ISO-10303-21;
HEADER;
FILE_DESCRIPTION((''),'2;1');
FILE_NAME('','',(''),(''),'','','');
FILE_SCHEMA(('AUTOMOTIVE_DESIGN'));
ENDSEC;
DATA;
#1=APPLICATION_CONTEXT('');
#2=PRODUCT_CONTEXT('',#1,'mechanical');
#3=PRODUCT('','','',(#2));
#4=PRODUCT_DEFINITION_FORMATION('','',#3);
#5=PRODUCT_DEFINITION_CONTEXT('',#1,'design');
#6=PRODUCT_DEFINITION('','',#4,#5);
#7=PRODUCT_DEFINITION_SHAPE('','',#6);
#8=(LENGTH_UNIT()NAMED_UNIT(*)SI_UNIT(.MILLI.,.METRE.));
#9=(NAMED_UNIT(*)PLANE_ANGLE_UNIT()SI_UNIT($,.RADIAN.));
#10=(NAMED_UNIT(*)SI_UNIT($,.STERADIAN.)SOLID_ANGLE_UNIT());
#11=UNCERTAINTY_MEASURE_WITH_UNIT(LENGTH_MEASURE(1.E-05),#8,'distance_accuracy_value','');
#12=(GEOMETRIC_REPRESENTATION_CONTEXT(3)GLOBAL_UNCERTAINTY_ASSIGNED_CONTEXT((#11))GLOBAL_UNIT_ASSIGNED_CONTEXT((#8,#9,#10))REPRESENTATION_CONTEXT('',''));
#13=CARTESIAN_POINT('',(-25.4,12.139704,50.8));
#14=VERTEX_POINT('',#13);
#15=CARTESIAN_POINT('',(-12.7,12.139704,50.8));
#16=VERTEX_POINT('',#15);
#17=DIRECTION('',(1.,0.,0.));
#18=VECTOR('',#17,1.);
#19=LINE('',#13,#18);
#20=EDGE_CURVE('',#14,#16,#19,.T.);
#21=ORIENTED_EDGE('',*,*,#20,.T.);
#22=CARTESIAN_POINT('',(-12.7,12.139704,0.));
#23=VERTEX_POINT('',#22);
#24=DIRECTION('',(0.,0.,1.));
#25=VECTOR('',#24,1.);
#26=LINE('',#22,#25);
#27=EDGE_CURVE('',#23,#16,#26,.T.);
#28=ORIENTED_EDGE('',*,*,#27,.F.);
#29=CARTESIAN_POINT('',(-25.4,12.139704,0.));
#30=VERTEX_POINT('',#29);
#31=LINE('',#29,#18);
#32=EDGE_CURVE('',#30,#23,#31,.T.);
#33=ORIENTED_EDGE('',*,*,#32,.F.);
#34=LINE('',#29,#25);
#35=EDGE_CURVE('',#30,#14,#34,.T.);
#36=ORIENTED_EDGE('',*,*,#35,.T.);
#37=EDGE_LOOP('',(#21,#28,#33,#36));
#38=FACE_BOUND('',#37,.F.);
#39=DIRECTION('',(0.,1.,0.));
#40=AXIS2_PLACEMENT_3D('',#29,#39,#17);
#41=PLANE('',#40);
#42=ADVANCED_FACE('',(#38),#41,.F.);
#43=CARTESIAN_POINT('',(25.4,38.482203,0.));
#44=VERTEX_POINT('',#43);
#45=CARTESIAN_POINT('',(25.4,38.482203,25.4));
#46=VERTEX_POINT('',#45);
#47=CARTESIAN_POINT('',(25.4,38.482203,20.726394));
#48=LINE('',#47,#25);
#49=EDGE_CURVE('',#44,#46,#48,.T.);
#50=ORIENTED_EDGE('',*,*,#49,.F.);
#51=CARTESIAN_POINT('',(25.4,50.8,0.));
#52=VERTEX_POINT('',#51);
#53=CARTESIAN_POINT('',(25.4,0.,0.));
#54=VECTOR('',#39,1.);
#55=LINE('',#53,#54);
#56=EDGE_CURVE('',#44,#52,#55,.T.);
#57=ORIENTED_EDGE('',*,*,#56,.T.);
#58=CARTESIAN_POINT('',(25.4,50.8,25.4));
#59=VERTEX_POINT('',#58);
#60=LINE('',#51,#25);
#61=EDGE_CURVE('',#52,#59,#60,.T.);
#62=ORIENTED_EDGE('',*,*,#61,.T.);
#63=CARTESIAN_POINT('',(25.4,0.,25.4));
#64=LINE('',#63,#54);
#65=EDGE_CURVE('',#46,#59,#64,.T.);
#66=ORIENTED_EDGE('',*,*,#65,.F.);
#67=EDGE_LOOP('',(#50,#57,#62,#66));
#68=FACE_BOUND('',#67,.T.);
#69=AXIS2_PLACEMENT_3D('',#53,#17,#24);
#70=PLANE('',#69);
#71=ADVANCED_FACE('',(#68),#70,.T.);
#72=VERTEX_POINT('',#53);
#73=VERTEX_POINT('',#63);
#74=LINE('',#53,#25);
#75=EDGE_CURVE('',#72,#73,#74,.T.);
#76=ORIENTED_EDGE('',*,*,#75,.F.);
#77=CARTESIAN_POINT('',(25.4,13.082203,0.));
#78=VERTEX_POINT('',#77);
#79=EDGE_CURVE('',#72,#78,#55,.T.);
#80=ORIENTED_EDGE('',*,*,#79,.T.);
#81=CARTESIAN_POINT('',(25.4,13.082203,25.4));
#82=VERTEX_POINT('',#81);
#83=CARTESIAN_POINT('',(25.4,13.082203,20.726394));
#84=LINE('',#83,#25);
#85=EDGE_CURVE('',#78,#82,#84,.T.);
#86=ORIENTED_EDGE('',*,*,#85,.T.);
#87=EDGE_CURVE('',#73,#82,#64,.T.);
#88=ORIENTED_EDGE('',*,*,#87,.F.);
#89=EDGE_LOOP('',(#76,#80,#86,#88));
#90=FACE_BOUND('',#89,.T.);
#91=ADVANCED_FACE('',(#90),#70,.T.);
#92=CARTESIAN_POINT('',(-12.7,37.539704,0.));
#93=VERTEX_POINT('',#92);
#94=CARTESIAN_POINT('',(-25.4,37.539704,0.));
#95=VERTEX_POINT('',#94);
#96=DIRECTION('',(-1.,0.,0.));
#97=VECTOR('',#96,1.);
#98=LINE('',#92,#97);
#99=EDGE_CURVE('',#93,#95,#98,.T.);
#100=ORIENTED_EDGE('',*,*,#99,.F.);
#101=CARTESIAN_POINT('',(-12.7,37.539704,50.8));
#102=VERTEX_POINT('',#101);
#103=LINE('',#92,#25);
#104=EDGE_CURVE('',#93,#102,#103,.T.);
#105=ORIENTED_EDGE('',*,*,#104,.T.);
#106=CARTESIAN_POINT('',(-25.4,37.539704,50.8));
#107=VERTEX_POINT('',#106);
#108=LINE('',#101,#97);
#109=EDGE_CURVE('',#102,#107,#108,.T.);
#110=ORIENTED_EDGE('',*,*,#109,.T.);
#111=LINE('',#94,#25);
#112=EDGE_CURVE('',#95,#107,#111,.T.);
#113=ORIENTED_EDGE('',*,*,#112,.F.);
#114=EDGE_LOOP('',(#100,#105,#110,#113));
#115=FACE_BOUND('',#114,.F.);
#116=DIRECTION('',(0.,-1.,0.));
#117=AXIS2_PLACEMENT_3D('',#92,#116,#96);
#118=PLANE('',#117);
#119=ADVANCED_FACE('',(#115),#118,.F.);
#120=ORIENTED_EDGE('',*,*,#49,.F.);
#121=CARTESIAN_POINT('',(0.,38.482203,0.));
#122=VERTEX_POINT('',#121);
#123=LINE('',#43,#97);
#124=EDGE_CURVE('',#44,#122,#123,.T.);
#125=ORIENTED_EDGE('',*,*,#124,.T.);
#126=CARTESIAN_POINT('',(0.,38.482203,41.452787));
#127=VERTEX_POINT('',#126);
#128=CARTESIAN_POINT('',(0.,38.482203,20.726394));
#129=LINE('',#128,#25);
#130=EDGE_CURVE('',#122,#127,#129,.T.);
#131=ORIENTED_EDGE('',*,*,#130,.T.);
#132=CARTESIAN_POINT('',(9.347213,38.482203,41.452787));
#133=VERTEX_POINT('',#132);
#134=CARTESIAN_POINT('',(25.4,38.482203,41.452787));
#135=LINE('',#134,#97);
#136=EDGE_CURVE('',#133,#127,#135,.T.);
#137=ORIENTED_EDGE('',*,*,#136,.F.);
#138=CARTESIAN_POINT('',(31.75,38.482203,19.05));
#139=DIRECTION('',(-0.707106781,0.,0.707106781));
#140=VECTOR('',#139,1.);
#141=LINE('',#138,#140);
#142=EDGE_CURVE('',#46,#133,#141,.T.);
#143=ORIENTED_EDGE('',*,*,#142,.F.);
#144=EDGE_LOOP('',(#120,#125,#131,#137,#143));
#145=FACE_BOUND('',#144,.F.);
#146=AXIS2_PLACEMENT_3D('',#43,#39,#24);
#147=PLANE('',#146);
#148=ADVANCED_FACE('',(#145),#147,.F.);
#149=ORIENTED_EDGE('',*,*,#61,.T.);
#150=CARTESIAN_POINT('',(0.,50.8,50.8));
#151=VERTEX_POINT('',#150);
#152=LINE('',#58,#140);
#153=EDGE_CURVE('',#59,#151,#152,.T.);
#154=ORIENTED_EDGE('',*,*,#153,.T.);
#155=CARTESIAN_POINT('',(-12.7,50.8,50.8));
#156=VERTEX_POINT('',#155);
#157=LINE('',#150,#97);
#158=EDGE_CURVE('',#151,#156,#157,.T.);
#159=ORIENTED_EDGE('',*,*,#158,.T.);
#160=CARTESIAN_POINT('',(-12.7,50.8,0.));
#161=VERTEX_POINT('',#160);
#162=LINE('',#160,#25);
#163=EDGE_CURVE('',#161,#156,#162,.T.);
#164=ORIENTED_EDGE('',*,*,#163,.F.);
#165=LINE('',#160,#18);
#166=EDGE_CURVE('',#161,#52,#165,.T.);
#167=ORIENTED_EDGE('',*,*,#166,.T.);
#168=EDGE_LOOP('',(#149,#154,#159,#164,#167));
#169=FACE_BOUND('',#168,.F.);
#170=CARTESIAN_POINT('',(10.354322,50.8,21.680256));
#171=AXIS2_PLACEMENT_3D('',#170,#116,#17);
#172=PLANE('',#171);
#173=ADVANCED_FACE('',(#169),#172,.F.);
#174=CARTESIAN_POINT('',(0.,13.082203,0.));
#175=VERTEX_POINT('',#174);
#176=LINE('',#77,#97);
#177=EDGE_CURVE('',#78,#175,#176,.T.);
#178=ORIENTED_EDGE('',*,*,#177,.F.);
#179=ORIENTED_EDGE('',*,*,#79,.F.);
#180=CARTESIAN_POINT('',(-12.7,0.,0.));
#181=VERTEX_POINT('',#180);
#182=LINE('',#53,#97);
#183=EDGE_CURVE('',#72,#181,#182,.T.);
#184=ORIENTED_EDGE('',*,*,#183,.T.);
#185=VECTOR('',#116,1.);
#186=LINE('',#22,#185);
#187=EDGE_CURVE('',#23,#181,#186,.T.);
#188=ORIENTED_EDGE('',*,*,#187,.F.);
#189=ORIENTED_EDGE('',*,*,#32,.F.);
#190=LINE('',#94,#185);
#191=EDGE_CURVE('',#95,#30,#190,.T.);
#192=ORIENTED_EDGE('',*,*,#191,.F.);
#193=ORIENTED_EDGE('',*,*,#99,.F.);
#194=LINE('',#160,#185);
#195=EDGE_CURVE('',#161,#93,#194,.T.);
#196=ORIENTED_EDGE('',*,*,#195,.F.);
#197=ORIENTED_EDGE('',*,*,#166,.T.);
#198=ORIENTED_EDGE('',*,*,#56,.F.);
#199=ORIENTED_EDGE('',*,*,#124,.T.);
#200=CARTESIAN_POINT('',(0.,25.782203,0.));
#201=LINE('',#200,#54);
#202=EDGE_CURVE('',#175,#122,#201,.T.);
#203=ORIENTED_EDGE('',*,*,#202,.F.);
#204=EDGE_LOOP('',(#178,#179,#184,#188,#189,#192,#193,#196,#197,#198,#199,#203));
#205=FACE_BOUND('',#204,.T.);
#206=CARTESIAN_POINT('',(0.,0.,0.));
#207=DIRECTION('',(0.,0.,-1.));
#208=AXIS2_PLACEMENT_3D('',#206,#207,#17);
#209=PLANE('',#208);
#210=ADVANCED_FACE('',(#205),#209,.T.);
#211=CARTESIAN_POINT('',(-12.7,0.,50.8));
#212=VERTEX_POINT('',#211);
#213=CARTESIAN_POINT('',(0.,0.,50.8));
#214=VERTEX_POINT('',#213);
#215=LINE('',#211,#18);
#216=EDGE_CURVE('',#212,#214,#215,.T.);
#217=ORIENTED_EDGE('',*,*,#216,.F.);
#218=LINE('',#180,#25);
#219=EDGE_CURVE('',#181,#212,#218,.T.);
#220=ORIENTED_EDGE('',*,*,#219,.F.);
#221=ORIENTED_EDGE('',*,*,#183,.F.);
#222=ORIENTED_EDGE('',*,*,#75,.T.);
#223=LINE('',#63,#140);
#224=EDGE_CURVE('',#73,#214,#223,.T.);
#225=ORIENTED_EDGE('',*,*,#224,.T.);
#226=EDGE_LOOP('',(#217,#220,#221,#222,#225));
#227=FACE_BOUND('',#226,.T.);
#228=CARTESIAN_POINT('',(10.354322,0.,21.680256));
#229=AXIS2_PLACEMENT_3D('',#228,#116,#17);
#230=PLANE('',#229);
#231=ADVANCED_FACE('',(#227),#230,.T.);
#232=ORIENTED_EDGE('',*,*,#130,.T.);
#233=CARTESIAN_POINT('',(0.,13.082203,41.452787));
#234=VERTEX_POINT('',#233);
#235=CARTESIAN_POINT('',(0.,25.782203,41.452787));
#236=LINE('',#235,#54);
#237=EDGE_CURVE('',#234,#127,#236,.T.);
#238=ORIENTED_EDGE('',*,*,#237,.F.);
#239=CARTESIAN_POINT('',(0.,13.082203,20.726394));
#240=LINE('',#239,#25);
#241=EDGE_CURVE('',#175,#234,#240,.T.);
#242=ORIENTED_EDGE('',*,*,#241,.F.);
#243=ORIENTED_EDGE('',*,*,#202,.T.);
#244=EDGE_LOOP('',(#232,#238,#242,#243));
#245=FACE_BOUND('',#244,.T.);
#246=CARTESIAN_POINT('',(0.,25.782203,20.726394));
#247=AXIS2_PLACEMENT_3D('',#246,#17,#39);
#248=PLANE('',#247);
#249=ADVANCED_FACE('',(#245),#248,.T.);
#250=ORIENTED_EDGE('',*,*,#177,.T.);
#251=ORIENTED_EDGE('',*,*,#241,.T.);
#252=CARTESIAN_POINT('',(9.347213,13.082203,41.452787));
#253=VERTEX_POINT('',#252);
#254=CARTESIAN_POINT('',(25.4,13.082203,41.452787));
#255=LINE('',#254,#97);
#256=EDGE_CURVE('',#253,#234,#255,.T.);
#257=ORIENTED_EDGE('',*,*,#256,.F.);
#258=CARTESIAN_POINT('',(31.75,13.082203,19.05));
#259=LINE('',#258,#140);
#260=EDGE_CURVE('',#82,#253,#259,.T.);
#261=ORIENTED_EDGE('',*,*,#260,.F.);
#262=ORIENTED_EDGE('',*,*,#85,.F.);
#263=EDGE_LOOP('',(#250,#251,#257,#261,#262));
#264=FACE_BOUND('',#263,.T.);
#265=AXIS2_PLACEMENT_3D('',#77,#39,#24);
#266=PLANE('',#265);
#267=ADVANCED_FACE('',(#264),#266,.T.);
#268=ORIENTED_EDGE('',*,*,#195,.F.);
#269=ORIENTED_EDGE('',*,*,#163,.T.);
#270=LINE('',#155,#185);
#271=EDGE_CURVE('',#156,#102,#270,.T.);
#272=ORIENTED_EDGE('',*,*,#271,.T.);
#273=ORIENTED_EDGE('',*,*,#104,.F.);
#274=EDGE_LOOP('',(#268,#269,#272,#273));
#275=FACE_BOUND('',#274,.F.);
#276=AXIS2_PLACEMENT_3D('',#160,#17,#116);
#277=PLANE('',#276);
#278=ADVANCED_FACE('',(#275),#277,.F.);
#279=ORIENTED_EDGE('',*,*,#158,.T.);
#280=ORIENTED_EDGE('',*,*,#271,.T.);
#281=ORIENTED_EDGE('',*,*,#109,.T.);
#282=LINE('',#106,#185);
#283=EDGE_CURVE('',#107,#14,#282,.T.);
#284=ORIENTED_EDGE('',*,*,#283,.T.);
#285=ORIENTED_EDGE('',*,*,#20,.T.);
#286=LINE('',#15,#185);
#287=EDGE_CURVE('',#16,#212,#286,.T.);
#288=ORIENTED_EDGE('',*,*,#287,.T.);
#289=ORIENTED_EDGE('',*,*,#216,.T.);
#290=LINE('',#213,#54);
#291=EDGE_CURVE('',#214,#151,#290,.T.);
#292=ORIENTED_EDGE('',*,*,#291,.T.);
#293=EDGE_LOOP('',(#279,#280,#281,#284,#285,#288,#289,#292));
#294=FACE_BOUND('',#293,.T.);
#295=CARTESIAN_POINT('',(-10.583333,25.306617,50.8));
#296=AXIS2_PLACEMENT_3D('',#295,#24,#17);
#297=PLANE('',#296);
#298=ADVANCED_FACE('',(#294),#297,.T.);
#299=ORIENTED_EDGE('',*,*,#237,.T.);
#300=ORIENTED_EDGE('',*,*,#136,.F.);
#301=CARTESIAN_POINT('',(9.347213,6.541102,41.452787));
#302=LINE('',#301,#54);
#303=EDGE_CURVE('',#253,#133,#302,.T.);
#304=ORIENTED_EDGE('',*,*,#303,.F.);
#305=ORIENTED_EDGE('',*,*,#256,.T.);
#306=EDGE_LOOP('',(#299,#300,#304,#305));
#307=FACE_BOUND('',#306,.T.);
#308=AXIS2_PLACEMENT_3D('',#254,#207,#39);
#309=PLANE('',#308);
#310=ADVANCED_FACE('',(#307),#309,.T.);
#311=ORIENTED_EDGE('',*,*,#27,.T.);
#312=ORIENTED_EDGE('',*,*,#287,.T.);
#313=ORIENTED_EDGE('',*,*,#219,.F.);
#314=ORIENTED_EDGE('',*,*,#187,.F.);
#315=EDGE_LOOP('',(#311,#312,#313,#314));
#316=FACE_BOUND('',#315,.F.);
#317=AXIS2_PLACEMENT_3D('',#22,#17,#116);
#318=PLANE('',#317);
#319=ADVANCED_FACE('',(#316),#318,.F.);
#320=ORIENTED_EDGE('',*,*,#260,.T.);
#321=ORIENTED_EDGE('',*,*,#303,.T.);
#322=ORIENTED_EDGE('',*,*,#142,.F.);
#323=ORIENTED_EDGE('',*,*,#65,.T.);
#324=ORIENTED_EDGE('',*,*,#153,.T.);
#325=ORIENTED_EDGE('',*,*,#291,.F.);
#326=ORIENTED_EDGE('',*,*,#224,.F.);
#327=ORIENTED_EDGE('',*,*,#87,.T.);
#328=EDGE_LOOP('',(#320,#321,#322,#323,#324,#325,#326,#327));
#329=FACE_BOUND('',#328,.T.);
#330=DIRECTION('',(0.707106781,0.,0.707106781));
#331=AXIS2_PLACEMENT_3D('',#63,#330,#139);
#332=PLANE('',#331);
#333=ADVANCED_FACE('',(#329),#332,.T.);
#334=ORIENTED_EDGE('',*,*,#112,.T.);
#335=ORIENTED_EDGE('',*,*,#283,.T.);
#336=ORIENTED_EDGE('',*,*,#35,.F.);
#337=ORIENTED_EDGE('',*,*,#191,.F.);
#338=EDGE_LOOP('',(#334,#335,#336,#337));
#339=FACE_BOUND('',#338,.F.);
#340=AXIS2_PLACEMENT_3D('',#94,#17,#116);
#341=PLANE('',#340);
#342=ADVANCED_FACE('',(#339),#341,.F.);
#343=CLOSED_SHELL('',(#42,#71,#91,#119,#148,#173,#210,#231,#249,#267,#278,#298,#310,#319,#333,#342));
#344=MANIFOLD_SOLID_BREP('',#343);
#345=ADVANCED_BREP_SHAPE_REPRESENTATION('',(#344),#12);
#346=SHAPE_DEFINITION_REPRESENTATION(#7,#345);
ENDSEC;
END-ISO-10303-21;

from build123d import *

# Parameters (mm, degrees)
F1_DEPTH = 50.8
F3_DEPTH = 50.8
F4_W     = 25.4
F4_H     = 41.4527870002
F5_DEPTH = 25.4


with BuildPart() as f1:
    # F0 (on Top) → F1 (new body)
    with BuildSketch(Plane.XY):
        Polygon((-12.7, 0), (0, 0), (0, 50.8), (-12.7, 50.8), (-12.7, 37.5397042634), (-25.4, 37.5397042634), (-25.4, 12.1397042634), (-12.7, 12.1397042634), align=None)
    extrude(amount=F1_DEPTH)

    # F2 (on face) → F3 (join)
    with BuildSketch(Plane.XZ):
        Polygon((0, 50.8), (0, 0), (25.4, 0), (25.4, 25.4), align=None)
    extrude(amount=-F3_DEPTH)

    # F4 (on face) → F5 (cut)
    with BuildSketch(Plane.YZ.offset(25.4)):
        with Locations((25.7822034553, 20.7263935001)):
            Rectangle(F4_W, F4_H)
    extrude(amount=-F5_DEPTH, mode=Mode.SUBTRACT)


solid = f1.part
